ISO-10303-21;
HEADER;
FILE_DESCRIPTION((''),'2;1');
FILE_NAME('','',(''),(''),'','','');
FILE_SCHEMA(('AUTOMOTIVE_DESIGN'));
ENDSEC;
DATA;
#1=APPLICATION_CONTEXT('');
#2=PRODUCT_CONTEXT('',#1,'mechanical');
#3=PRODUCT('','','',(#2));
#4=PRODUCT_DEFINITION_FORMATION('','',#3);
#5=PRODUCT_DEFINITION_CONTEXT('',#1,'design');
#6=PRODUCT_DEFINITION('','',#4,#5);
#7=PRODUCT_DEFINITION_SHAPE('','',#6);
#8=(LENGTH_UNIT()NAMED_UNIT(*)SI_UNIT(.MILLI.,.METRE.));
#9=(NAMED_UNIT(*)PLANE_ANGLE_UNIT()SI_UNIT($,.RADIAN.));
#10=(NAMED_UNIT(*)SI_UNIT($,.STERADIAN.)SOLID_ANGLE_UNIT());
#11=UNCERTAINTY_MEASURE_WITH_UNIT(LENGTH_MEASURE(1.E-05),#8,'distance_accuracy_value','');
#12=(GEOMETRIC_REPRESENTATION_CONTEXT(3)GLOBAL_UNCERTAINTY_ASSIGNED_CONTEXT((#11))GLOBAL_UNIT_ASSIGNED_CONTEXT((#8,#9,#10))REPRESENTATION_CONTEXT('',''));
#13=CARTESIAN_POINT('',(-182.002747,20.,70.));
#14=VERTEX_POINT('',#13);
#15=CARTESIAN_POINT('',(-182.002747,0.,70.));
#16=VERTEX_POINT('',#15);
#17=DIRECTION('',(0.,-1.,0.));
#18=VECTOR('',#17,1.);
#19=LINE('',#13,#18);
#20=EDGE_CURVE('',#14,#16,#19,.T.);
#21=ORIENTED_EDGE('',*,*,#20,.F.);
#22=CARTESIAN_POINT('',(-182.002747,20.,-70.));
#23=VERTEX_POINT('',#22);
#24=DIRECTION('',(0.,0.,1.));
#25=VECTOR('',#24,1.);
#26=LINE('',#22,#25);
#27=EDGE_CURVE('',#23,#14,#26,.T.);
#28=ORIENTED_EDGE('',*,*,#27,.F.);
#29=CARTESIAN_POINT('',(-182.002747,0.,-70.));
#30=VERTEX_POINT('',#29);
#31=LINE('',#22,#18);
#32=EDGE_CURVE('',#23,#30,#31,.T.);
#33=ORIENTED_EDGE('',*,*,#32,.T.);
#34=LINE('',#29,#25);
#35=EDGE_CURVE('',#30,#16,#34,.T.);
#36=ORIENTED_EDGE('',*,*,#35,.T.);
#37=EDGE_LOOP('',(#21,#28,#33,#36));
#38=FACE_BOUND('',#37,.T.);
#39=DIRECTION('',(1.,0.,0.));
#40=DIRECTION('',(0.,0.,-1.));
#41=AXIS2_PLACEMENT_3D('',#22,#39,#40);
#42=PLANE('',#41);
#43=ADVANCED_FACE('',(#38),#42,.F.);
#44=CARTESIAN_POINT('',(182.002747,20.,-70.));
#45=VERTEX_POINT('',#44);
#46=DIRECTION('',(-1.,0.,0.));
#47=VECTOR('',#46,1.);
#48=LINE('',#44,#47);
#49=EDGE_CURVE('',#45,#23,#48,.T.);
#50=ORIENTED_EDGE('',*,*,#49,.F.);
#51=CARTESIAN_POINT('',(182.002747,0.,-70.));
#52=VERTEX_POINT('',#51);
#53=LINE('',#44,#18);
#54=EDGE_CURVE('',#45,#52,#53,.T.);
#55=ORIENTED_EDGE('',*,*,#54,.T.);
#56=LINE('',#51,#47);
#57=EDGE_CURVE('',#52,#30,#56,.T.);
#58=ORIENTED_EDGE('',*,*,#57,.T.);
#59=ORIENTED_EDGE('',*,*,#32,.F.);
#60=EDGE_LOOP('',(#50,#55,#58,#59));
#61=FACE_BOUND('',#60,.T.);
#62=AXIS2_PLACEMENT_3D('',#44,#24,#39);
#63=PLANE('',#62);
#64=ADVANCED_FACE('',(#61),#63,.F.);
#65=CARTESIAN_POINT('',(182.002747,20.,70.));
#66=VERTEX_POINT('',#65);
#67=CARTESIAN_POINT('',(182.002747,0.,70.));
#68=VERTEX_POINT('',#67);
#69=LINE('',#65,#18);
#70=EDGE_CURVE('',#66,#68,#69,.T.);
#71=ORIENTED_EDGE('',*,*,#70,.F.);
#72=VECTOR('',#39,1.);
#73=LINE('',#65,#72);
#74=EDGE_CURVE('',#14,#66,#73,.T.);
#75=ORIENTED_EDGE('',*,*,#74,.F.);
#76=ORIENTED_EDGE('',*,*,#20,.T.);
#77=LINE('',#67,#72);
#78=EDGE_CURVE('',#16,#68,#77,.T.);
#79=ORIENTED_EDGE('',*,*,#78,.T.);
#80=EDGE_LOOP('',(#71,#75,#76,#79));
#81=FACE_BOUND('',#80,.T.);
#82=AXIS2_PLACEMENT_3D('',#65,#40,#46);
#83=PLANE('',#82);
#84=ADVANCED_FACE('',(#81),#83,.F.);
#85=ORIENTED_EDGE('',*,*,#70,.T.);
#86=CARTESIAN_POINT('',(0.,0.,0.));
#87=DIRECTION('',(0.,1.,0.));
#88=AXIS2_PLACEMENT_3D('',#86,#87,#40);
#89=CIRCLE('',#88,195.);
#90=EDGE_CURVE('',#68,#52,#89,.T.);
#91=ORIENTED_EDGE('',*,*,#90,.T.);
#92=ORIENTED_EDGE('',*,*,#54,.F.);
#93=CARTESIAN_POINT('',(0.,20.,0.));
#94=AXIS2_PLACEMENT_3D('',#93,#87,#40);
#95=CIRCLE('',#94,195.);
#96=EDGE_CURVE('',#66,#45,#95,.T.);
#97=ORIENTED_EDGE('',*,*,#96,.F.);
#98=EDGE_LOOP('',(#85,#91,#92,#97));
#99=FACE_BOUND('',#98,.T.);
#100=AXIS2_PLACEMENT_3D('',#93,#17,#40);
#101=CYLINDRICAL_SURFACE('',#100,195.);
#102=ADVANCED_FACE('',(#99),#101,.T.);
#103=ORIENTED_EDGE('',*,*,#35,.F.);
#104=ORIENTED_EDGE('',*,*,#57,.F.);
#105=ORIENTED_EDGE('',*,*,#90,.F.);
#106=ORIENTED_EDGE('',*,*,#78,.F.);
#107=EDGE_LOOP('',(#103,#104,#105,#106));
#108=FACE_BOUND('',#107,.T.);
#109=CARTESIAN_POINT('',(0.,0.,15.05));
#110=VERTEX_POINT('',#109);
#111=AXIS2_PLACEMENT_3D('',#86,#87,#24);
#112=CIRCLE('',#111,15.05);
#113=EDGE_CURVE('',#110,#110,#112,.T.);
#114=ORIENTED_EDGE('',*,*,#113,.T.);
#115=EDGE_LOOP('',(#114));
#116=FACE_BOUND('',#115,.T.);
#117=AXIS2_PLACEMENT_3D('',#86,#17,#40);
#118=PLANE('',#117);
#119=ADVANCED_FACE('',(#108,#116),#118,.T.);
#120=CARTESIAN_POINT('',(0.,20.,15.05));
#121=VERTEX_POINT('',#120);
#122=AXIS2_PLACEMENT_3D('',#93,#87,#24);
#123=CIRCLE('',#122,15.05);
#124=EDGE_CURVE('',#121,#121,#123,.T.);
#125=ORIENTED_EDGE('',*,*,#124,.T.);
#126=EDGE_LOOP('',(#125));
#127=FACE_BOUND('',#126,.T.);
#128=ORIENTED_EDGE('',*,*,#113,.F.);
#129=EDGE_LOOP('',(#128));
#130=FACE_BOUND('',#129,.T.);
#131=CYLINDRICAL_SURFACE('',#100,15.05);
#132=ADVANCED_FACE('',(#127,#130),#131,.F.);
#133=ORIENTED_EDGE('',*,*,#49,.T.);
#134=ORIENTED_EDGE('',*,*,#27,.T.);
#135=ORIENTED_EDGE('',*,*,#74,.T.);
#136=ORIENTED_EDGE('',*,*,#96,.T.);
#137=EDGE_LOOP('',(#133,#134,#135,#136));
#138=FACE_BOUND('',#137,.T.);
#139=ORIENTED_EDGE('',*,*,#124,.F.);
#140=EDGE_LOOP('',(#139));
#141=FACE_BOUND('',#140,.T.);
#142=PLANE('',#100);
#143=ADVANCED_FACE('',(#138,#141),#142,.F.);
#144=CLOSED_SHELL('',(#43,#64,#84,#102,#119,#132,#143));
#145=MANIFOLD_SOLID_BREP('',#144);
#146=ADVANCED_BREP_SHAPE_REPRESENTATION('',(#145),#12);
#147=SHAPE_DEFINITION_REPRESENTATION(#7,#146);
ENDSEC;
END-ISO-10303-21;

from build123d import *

# Parameters (mm, degrees)
AUFSATZ_LINEAR_AUSTRAGEN1_DEPTH = 20


with BuildPart() as part:
    # Skizze1 → Aufsatz-Linear austragen1 (new body)
    with BuildSketch(Plane(origin=(0, 0, 0), x_dir=(1, 0, 0), z_dir=(0, 1, 0))):
        with BuildLine():
            Line((182.002747232, 70), (-182.002747232, 70))
            Line((-182.002747232, 70), (-182.002747232, -70))
            Line((-182.002747232, -70), (182.002747232, -70))
            ThreePointArc((182.002747232, -70), (195, 0), (182.002747232, 70))
        make_face()
        with BuildLine():
            ThreePointArc((15.05, 0), (-10.641957057, 10.641957057), (0, -15.05))
            ThreePointArc((0, -15.05), (10.641957057, -10.641957057), (15.05, 0))
        make_face(mode=Mode.SUBTRACT)
    extrude(amount=AUFSATZ_LINEAR_AUSTRAGEN1_DEPTH)


solid = part.part
